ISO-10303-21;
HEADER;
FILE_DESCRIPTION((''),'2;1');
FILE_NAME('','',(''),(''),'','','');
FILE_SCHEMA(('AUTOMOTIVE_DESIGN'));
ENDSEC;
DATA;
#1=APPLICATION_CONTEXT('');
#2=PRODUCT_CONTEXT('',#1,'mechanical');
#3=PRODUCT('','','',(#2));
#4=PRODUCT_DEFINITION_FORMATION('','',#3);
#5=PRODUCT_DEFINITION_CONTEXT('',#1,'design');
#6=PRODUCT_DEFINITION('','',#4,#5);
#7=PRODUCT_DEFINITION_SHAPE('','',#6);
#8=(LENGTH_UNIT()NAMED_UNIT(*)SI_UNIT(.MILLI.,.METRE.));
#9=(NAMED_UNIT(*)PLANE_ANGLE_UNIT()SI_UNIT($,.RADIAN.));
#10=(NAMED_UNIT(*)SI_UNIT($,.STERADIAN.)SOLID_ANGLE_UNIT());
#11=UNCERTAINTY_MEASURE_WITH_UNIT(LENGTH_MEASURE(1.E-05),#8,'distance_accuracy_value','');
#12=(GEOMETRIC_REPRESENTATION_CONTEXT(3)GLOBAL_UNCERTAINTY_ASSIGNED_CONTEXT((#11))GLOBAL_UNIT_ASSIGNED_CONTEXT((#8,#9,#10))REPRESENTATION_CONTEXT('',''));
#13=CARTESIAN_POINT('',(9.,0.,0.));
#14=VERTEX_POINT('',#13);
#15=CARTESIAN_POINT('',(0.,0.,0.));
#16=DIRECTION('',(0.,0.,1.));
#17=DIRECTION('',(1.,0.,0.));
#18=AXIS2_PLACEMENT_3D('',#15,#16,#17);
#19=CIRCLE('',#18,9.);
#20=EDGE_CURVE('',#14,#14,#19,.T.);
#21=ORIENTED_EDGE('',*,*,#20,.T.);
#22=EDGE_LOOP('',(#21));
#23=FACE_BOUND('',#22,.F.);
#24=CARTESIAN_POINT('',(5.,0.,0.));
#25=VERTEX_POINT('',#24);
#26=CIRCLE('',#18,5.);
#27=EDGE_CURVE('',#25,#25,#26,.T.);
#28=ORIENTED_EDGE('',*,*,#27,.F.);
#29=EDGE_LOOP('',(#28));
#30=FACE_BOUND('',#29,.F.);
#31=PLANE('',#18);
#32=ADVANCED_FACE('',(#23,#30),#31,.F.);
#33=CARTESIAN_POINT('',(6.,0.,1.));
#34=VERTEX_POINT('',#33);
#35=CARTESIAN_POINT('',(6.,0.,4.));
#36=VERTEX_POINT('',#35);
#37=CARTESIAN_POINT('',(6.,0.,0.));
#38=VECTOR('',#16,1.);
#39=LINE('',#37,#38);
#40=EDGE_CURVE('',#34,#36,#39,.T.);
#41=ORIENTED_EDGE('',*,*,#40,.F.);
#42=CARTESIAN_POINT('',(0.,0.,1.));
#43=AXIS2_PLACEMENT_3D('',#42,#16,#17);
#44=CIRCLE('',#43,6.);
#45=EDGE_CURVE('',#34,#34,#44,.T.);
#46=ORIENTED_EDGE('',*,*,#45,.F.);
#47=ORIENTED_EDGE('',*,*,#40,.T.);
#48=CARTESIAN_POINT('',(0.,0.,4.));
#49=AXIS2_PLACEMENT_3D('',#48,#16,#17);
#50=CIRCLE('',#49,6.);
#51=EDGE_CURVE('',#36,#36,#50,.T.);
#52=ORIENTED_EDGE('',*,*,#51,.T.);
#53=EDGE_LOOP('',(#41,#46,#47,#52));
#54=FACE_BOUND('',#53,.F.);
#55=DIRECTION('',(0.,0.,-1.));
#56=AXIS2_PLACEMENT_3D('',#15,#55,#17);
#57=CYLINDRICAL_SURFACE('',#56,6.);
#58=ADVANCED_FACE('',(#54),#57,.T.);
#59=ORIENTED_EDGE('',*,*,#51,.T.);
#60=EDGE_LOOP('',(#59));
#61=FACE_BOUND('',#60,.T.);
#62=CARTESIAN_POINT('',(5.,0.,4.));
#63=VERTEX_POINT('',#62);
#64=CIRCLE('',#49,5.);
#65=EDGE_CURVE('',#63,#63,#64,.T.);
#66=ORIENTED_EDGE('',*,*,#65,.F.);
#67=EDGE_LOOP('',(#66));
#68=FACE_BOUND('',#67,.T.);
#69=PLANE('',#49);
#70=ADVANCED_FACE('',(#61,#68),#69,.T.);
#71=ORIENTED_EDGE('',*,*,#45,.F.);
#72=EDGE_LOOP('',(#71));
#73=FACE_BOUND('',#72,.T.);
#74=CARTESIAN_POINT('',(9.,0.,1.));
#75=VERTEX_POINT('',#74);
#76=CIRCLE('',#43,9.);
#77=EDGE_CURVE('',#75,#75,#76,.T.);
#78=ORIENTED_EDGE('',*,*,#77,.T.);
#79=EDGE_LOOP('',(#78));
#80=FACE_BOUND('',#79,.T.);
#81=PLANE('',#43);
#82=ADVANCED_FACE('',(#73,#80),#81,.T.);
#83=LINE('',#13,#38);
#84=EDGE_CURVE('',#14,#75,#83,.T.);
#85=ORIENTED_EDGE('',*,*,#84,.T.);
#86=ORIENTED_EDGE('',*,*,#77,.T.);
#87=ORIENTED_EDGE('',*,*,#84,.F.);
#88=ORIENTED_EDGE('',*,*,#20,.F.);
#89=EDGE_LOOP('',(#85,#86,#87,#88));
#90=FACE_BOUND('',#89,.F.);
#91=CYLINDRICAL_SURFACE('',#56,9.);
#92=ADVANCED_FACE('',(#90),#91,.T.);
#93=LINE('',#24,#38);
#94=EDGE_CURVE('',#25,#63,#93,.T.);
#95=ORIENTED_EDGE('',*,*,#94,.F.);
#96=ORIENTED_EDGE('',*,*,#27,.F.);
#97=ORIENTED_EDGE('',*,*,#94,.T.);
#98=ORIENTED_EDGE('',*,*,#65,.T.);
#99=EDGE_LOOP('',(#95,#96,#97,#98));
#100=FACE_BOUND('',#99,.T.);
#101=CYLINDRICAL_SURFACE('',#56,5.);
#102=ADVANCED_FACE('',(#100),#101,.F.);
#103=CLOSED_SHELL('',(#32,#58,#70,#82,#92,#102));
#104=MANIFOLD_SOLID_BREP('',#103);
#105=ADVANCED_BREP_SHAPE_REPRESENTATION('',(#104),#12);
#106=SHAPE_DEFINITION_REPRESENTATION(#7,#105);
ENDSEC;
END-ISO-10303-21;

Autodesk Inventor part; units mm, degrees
ref_plane "YZ Plane" through (0, 0, 0) normal (1, 0, 0) x (0, 1, 0)
ref_plane "XZ Plane" through (0, 0, 0) normal (0, 1, 0) x (-1, 0, 0)
ref_plane "XY Plane" through (0, 0, 0) normal (0, 0, 1) x (1, 0, 0)
sketch "スケッチ1" plane through (0, 0, 0) normal (0, 0, 1) x (1, 0, 0)
  circle A0 centre (0, 0) radius 5
  circle A1 centre (0, 0) radius 6
  circle A2 centre (0, 0) radius 9
  dimension "d0" = 10
  dimension "d1" = 12
  dimension "d2" = 18
extrude "押し出し1" add sketch "スケッチ1" along normal blind 1 contours A2
extrude "押し出し2" add sketch "スケッチ1" along normal blind 4 contours A1
properties part number "オイレスドライメットFd10D12L4" material "アセタール樹脂、黒"
